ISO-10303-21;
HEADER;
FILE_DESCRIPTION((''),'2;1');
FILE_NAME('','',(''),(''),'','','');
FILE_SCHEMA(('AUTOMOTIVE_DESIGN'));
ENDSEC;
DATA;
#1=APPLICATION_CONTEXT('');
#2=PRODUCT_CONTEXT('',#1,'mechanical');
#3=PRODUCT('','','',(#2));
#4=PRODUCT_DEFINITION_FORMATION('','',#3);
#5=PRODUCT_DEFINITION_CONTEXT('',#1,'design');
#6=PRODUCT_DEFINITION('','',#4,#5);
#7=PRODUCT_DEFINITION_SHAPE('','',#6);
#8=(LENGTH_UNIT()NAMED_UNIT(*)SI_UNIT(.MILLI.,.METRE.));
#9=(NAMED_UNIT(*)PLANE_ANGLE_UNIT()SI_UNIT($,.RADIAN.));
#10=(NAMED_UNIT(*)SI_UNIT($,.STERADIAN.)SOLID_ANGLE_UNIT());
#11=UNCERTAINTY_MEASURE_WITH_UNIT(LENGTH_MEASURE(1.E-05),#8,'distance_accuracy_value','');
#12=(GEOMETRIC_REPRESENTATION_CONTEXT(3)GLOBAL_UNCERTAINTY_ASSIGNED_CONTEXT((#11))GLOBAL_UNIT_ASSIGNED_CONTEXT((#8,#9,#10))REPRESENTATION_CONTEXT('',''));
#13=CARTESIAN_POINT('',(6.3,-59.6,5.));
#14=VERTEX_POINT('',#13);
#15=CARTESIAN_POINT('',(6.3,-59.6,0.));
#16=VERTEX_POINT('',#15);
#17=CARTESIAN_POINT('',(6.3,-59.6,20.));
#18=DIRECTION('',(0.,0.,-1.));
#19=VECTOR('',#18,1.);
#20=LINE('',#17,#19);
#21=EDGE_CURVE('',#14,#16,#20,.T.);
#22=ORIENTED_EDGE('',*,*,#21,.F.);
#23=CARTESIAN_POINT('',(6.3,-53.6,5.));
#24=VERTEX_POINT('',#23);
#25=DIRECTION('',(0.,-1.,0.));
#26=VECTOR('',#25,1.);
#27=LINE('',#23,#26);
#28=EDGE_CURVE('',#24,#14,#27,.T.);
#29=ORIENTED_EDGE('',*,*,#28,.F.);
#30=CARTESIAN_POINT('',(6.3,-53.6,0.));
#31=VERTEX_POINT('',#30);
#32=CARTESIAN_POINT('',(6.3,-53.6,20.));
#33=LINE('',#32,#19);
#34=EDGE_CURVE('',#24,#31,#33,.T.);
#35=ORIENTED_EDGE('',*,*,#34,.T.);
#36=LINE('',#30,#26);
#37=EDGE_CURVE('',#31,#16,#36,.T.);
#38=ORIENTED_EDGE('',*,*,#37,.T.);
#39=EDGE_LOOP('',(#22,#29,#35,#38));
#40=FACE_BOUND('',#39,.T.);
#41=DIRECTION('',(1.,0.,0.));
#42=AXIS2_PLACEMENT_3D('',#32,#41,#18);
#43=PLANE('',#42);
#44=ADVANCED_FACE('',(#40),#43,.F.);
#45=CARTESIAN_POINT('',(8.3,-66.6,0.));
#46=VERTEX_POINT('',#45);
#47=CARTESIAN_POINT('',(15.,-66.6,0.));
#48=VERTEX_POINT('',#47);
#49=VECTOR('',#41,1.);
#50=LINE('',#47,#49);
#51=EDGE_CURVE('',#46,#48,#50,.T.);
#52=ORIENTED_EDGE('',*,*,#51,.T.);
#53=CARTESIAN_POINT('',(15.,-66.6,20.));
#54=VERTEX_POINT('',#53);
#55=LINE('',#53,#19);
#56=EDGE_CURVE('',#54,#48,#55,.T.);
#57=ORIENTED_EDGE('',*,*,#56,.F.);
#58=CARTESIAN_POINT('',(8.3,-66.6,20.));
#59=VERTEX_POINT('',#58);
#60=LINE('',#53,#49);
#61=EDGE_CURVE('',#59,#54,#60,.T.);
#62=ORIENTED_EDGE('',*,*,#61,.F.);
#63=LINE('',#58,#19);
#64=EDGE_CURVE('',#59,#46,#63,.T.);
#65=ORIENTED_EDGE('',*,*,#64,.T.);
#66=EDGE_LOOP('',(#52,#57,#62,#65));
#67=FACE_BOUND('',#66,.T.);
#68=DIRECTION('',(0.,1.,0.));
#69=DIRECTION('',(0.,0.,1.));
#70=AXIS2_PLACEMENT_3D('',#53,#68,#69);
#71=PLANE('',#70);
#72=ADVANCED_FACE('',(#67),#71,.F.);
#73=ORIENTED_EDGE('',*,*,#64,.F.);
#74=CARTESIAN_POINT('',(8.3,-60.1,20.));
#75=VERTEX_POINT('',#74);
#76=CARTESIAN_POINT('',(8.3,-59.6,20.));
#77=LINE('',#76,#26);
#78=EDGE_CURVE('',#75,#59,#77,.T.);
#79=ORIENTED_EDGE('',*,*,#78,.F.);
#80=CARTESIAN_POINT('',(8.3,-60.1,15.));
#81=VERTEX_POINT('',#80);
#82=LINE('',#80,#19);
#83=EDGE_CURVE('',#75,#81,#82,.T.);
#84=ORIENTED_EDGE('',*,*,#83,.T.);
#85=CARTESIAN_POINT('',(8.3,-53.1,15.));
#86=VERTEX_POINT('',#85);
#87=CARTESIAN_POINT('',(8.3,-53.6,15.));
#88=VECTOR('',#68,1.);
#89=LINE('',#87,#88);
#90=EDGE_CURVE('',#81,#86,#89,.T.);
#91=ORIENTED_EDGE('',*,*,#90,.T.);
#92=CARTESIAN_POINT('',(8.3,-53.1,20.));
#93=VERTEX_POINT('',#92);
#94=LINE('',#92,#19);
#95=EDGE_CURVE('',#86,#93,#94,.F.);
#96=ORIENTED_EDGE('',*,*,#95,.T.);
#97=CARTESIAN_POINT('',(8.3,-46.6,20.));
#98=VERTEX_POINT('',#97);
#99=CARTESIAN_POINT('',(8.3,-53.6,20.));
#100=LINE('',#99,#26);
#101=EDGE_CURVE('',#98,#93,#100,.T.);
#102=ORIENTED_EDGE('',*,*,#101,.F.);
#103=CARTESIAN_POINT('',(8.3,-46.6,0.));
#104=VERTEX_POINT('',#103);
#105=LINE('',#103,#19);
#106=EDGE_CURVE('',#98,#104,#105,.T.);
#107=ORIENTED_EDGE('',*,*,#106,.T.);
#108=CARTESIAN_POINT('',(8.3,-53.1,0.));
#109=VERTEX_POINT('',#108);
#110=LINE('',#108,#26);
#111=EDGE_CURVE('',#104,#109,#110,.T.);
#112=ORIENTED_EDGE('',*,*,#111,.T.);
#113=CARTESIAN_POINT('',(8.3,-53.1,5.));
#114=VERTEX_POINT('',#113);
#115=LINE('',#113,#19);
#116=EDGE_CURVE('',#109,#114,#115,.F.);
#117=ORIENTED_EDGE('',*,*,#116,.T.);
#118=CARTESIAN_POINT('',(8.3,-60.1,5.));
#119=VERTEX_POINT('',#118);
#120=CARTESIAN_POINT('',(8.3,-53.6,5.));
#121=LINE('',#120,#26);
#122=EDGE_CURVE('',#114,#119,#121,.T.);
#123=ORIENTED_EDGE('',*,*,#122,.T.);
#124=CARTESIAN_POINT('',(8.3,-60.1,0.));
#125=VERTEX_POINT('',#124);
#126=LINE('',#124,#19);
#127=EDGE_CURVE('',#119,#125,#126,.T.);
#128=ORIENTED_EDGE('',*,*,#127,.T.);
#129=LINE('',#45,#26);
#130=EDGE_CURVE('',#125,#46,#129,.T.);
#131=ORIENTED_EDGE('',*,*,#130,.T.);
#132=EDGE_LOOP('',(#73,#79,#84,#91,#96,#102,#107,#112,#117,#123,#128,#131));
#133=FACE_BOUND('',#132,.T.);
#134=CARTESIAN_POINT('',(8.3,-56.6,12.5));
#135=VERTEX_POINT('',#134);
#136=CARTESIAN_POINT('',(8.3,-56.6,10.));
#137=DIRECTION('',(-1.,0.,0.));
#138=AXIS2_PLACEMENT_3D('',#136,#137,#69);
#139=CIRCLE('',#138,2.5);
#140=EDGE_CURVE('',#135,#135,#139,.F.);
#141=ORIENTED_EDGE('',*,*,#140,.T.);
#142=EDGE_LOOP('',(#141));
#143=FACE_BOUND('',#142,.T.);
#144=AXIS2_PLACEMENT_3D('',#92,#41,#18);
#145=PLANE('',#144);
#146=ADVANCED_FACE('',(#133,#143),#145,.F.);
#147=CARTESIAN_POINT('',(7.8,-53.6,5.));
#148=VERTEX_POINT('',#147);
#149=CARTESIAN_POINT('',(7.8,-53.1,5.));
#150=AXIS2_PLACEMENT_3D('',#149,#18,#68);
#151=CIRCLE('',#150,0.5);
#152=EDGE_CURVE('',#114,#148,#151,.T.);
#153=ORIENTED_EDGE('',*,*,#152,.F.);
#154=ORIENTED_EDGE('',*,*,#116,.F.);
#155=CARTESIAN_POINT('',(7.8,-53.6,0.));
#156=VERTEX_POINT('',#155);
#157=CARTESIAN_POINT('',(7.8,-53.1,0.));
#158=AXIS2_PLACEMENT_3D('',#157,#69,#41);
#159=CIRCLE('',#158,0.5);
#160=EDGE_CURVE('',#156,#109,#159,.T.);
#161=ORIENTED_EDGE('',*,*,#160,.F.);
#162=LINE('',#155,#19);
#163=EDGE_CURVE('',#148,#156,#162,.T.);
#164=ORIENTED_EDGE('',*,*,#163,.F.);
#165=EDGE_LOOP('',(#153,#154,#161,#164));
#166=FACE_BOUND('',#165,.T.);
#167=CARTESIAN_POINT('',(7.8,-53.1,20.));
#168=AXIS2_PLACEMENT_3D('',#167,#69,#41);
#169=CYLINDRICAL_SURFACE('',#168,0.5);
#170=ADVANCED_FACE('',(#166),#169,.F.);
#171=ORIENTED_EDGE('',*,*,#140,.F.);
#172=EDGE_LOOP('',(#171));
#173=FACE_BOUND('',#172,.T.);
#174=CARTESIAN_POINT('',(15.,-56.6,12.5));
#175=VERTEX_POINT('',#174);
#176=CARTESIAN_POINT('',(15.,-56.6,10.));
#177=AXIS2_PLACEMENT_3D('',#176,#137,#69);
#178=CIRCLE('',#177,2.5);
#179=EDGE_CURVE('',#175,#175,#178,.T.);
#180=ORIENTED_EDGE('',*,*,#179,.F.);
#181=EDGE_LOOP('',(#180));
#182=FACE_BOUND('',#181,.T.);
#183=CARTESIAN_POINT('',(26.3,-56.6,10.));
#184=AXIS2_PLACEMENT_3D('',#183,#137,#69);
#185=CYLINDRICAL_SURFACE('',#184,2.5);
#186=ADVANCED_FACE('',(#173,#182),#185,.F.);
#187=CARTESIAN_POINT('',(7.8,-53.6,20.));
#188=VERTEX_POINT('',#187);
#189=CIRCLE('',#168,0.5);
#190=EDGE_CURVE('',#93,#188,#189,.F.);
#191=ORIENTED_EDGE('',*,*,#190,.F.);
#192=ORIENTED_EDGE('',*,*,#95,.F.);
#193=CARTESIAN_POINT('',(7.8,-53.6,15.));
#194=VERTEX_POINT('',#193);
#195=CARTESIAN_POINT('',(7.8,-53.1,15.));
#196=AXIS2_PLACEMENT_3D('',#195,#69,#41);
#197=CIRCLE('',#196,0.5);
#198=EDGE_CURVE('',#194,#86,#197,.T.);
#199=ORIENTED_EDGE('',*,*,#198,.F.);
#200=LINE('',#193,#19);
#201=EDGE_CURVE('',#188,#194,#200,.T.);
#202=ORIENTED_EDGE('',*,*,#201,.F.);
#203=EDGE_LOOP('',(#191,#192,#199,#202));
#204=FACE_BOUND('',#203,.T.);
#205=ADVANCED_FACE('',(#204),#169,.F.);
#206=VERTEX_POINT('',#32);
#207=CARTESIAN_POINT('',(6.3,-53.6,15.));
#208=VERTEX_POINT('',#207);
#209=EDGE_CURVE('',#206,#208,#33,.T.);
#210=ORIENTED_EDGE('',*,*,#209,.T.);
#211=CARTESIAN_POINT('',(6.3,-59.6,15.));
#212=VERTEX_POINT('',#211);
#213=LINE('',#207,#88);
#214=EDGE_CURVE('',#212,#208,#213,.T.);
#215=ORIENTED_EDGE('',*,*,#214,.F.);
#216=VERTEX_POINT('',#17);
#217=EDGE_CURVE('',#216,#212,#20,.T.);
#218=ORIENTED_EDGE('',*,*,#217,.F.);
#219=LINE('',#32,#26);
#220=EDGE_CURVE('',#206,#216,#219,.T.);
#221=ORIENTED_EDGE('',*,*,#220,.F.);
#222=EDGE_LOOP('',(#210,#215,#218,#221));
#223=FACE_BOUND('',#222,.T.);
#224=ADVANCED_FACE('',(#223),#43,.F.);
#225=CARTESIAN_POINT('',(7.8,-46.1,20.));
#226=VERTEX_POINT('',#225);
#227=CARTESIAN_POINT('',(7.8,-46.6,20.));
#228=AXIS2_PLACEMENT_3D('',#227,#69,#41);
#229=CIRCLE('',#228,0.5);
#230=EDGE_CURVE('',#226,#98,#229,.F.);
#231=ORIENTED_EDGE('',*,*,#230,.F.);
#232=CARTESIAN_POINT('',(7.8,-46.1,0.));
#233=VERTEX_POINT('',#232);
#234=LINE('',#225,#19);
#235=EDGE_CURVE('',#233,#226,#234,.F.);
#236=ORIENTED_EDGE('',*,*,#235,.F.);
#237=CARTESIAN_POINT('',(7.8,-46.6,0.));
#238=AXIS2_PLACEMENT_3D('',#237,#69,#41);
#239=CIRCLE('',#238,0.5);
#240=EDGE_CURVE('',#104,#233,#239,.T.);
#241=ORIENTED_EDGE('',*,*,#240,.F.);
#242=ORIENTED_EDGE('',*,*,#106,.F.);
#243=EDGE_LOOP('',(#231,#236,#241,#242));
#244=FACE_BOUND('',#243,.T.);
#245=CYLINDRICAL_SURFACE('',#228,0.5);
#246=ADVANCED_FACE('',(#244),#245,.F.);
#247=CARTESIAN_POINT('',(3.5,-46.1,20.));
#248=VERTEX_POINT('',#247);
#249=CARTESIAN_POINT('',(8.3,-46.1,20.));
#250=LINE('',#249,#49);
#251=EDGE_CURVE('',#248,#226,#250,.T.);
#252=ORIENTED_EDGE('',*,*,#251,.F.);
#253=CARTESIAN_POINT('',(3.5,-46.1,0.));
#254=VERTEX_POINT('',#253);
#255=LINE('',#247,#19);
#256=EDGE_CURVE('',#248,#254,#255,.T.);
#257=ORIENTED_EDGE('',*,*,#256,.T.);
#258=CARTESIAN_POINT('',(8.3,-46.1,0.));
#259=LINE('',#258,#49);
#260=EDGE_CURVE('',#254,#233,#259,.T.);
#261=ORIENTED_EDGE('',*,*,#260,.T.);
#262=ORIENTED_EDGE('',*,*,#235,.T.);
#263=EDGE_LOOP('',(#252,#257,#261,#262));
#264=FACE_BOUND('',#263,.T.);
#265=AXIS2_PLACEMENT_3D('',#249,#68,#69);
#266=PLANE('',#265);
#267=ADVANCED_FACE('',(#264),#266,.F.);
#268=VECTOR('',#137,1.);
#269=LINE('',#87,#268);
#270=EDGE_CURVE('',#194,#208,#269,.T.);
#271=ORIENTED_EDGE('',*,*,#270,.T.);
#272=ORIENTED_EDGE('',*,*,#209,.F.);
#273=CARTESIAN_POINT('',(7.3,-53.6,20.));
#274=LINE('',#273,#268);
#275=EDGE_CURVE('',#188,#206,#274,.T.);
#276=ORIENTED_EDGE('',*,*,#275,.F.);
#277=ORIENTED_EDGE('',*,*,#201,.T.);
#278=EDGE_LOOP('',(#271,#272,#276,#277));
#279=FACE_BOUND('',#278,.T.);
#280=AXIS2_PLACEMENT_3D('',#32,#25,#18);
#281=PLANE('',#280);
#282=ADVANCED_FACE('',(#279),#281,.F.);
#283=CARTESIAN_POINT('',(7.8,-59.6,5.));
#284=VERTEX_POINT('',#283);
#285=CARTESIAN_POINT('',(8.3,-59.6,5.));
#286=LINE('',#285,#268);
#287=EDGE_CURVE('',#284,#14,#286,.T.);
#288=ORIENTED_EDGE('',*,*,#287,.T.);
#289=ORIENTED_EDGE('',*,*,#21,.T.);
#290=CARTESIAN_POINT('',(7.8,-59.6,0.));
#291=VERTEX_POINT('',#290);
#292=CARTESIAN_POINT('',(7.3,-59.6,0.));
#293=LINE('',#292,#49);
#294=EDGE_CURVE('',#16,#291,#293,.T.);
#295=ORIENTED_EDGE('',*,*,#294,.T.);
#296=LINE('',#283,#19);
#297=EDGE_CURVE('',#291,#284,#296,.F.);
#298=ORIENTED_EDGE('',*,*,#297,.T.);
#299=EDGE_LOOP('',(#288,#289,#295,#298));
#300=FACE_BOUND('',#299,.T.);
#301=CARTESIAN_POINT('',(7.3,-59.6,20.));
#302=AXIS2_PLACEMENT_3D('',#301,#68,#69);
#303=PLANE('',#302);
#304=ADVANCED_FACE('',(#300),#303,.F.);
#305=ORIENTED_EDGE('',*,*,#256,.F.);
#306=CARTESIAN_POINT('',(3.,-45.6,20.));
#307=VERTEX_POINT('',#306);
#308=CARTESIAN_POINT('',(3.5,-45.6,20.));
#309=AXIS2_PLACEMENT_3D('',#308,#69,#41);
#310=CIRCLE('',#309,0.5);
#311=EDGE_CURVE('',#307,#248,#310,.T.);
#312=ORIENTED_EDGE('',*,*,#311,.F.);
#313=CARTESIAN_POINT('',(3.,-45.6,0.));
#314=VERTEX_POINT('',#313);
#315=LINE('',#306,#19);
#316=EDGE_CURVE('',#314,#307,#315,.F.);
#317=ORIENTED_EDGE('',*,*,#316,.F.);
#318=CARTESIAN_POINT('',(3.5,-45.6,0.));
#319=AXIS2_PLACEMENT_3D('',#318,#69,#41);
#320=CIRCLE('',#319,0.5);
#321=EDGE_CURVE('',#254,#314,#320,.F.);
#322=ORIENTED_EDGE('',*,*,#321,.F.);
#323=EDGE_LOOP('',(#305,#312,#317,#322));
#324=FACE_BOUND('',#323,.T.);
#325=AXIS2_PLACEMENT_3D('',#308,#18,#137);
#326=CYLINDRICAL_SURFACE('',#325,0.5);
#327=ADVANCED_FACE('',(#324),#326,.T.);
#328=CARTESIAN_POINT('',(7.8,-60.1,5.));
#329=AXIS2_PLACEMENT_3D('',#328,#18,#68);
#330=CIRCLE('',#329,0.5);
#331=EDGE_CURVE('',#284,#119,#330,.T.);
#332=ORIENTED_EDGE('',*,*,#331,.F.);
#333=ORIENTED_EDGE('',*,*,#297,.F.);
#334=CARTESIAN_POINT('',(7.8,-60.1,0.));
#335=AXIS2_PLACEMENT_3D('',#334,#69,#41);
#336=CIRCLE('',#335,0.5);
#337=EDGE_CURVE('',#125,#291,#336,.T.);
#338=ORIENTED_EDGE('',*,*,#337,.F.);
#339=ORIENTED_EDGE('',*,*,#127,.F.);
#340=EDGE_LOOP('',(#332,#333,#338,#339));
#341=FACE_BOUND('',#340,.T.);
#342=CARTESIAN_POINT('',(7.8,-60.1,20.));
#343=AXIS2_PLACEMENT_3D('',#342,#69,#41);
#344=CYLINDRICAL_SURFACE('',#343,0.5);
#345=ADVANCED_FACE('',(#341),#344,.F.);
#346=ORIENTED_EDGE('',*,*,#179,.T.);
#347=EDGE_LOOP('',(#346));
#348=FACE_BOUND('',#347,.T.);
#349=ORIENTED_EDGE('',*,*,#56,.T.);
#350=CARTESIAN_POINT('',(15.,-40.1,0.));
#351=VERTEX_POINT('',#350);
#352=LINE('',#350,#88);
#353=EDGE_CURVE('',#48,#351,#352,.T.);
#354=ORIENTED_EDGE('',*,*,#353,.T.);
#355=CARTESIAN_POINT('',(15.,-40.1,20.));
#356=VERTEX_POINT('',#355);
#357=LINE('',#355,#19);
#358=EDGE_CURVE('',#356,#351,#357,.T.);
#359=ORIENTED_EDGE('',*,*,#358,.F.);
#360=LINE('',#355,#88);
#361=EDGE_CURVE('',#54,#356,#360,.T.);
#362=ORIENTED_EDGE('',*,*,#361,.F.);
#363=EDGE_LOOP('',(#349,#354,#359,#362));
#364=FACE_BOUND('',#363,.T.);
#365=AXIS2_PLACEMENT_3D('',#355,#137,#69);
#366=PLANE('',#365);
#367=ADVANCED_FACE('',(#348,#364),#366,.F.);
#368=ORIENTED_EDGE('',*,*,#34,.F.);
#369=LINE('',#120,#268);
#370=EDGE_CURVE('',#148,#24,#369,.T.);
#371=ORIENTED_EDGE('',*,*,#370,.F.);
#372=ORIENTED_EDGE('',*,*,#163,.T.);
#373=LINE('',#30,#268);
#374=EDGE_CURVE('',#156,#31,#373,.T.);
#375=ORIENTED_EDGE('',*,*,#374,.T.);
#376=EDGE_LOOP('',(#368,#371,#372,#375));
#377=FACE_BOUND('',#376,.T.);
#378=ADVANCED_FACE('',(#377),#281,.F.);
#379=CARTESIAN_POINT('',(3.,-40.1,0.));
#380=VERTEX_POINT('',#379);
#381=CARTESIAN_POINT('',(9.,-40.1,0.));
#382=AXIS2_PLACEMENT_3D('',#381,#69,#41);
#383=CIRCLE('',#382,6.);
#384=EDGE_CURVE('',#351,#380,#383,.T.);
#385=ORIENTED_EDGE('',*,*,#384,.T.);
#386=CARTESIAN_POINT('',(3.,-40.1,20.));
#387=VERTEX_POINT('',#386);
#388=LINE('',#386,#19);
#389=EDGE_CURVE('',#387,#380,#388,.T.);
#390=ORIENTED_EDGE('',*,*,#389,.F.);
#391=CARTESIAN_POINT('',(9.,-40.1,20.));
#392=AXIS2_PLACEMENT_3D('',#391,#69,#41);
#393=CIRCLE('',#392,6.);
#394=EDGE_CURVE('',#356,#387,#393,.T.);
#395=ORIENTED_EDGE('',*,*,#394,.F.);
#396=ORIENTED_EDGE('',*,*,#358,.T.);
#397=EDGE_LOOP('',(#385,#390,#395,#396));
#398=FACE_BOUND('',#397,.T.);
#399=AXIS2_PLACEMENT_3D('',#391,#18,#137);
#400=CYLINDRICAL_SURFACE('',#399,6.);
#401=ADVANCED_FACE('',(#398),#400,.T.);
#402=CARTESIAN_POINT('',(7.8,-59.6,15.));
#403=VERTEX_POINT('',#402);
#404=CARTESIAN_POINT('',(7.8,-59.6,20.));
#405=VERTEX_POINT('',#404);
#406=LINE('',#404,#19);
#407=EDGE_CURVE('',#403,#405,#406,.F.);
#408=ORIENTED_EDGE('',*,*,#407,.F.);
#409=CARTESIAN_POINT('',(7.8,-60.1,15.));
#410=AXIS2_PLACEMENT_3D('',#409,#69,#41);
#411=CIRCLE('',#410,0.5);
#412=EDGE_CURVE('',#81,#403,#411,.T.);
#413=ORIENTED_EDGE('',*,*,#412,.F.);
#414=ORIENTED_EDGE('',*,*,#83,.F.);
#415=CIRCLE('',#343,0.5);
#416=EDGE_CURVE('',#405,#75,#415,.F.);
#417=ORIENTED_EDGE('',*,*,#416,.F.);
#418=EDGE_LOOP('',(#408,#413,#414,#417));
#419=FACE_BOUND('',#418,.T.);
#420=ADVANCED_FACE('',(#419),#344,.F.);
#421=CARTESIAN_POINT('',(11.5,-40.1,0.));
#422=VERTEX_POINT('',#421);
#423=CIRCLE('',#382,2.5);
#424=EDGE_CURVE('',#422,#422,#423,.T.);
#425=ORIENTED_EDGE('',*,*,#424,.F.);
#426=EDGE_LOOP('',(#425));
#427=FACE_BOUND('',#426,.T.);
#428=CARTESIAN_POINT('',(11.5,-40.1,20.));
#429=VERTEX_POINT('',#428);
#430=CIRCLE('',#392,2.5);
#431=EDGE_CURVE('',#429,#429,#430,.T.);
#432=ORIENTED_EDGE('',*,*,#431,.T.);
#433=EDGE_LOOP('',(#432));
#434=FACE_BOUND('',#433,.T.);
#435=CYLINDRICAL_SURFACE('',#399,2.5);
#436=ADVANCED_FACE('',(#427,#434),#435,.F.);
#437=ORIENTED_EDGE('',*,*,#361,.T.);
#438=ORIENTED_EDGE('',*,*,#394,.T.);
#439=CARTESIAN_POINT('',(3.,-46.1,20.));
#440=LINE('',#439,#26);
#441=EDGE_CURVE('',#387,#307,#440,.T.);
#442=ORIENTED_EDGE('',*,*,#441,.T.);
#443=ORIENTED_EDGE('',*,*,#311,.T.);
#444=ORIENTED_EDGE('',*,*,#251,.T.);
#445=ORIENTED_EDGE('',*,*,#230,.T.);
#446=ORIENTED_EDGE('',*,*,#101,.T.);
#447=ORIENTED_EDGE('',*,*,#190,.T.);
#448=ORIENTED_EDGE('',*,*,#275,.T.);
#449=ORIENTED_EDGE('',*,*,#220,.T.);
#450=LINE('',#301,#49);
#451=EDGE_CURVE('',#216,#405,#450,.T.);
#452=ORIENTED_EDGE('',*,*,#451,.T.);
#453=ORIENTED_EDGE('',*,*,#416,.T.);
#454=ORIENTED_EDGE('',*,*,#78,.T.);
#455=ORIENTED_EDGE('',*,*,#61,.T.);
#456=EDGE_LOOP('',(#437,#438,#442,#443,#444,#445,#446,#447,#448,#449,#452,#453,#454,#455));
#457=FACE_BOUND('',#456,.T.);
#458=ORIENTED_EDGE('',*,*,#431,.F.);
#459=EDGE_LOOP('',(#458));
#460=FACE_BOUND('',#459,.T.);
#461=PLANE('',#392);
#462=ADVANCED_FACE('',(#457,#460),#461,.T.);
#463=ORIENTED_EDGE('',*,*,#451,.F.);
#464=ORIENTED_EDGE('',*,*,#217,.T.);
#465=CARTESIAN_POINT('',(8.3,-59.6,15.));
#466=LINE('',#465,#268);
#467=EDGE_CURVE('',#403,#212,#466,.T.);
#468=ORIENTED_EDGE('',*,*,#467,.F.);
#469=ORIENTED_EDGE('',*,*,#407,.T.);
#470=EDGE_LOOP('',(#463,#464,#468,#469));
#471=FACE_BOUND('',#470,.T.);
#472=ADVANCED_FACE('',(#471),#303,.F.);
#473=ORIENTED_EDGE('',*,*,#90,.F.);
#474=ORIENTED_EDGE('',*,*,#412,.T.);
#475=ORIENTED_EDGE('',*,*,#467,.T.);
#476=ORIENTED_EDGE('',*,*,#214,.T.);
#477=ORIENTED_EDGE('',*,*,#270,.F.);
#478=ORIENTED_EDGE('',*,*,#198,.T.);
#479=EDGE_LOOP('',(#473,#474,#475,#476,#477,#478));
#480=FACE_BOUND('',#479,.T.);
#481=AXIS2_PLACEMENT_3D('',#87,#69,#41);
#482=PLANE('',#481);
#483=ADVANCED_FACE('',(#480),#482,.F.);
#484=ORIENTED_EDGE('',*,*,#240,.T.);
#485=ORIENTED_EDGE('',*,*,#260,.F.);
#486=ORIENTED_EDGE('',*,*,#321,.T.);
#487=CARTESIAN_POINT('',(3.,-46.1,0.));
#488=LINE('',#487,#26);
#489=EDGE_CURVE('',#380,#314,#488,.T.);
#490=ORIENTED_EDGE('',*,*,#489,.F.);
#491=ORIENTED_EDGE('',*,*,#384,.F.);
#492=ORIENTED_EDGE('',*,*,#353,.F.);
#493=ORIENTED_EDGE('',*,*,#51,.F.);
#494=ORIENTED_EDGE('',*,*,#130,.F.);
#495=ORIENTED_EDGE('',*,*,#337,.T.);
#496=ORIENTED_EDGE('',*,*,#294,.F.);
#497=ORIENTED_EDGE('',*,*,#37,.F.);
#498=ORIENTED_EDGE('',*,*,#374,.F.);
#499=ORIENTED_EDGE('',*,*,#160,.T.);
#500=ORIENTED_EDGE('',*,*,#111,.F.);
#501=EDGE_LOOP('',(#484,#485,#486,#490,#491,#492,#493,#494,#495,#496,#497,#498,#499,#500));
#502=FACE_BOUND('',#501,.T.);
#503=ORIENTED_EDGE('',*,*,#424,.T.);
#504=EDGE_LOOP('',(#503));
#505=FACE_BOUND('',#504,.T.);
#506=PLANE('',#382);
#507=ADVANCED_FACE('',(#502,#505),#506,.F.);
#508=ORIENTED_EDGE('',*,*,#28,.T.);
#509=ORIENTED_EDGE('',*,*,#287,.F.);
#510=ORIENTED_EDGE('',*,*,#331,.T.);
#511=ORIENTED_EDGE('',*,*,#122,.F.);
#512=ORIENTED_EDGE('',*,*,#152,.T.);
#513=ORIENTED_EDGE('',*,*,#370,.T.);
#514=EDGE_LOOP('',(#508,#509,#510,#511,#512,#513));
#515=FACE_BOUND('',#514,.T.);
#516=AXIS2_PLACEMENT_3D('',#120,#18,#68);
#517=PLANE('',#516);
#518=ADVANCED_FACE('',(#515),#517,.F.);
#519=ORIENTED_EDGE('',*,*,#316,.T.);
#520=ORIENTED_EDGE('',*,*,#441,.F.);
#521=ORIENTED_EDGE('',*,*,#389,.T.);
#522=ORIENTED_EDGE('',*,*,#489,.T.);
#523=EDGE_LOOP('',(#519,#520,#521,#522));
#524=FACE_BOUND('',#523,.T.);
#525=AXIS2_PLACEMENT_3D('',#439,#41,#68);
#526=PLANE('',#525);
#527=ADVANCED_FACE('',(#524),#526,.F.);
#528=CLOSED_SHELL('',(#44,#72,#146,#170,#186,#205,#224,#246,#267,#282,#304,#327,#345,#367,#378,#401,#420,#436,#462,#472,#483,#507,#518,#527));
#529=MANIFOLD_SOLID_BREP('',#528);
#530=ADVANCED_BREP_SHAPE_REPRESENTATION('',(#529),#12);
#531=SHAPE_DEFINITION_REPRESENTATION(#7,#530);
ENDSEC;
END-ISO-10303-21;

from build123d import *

# Parameters (mm, degrees)
SKETCH1_R           = 2.5
BOSS_EXTRUDE1_DEPTH = 20
SKETCH2_R           = 2.5
CUT_EXTRUDE1_DEPTH  = 20
SKETCH3_W           = 10
SKETCH3_H           = 6
CUT_EXTRUDE2_DEPTH  = 2
FILLET1_R           = 0.5
FILLET2_R           = 0.5


with BuildPart() as part:
    # Sketch1 → Boss-Extrude1 (new body)
    with BuildSketch(Plane.XY):
        with BuildLine():
            Line((6.3, -53.6), (6.3, -59.6))
            Line((6.3, -59.6), (7.3, -59.6))
            Line((7.3, -59.6), (8.3, -59.6))
            Line((8.3, -59.6), (8.3, -60.1))
            Line((8.3, -60.1), (8.3, -66.6))
            Line((8.3, -66.6), (15, -66.6))
            Line((15, -66.6), (15, -40.1))
            ThreePointArc((15, -40.1), (9, -34.1), (3, -40.1))
            Line((3, -40.1), (3, -46.1))
            Line((3, -46.1), (8.3, -46.1))
            Line((8.3, -46.1), (8.3, -46.6))
            Line((8.3, -46.6), (8.3, -53.1))
            Line((8.3, -53.1), (8.3, -53.6))
            Line((8.3, -53.6), (7.3, -53.6))
            Line((7.3, -53.6), (6.3, -53.6))
        make_face()
        with Locations((9, -40.1)):
            Circle(SKETCH1_R, mode=Mode.SUBTRACT)
    extrude(amount=BOSS_EXTRUDE1_DEPTH)

    # Sketch2 → Cut-Extrude1 (cut)
    with BuildSketch(Plane.ZY.offset(-6.3)):
        with Locations((10, -56.6)):
            Circle(SKETCH2_R)
    extrude(amount=-CUT_EXTRUDE1_DEPTH, mode=Mode.SUBTRACT)

    # Sketch3 → Cut-Extrude2 (cut)
    with BuildSketch(Plane.ZY.offset(-6.3)):
        with Locations((10, -56.6)):
            Rectangle(SKETCH3_W, SKETCH3_H)
    extrude(amount=-CUT_EXTRUDE2_DEPTH, mode=Mode.SUBTRACT)

    # Fillet1
    fillet1_edges = [part.edges().sort_by_distance(p)[0] for p in [
        (8.3, -46.1, 10),
        (3, -46.1, 10),
    ]]
    fillet(fillet1_edges, radius=FILLET1_R)

    # Fillet2
    fillet2_edges = [part.edges().sort_by_distance(p)[0] for p in [
        (8.3, -59.6, 17.5),
        (8.3, -53.6, 17.5),
        (8.3, -53.6, 2.5),
        (8.3, -59.6, 2.5),
    ]]
    fillet(fillet2_edges, radius=FILLET2_R)


solid = part.part
